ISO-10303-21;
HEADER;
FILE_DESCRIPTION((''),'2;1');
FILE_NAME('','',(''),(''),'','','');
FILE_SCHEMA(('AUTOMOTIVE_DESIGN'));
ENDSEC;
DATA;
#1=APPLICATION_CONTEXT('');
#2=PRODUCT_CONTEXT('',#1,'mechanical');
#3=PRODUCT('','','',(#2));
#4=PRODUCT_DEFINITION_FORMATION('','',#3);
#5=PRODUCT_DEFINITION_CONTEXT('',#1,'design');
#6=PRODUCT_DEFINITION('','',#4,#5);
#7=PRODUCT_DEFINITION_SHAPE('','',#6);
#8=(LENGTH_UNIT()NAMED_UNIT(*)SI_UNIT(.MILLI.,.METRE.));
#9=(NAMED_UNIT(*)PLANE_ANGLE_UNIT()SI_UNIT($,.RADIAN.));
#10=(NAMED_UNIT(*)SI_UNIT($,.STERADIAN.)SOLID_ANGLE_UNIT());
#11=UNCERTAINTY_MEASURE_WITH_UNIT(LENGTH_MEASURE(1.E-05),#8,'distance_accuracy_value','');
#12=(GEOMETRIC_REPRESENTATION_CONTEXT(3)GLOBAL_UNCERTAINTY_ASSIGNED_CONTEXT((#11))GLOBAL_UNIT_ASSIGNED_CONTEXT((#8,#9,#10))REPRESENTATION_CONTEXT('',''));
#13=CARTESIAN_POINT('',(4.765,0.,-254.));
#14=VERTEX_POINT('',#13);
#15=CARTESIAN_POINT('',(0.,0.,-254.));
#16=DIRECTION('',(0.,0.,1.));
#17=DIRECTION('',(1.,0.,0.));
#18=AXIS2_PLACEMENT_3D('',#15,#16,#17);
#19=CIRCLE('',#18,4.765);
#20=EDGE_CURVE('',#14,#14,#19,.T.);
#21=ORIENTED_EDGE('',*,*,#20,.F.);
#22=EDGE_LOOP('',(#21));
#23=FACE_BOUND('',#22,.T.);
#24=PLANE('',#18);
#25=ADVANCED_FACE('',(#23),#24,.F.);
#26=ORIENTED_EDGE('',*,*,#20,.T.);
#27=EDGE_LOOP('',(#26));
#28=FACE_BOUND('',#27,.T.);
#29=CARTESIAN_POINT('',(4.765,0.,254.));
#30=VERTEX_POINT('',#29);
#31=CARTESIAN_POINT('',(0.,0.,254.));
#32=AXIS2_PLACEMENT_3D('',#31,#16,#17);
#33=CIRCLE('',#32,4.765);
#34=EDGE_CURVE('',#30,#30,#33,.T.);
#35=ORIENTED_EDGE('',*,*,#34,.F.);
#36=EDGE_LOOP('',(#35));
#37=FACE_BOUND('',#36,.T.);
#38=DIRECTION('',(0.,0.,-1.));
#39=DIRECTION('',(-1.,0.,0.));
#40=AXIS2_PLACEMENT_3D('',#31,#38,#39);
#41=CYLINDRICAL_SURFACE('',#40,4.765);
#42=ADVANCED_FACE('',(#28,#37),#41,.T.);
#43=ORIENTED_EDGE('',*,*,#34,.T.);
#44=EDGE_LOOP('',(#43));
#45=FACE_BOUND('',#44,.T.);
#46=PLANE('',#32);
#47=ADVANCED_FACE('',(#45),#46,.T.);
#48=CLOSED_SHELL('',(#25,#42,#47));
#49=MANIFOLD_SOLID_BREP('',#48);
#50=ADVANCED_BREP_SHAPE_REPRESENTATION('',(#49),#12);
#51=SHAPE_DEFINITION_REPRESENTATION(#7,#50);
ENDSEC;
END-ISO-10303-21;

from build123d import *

# Parameters (mm, degrees)
SKETCH1_R           = 4.765
BOSS_EXTRUDE1_DEPTH = 254


with BuildPart() as part:
    # Sketch1 → Boss-Extrude1 (new body, symmetric)
    with BuildSketch(Plane.XY):
        Circle(SKETCH1_R)
    extrude(amount=BOSS_EXTRUDE1_DEPTH, both=True)


solid = part.part
